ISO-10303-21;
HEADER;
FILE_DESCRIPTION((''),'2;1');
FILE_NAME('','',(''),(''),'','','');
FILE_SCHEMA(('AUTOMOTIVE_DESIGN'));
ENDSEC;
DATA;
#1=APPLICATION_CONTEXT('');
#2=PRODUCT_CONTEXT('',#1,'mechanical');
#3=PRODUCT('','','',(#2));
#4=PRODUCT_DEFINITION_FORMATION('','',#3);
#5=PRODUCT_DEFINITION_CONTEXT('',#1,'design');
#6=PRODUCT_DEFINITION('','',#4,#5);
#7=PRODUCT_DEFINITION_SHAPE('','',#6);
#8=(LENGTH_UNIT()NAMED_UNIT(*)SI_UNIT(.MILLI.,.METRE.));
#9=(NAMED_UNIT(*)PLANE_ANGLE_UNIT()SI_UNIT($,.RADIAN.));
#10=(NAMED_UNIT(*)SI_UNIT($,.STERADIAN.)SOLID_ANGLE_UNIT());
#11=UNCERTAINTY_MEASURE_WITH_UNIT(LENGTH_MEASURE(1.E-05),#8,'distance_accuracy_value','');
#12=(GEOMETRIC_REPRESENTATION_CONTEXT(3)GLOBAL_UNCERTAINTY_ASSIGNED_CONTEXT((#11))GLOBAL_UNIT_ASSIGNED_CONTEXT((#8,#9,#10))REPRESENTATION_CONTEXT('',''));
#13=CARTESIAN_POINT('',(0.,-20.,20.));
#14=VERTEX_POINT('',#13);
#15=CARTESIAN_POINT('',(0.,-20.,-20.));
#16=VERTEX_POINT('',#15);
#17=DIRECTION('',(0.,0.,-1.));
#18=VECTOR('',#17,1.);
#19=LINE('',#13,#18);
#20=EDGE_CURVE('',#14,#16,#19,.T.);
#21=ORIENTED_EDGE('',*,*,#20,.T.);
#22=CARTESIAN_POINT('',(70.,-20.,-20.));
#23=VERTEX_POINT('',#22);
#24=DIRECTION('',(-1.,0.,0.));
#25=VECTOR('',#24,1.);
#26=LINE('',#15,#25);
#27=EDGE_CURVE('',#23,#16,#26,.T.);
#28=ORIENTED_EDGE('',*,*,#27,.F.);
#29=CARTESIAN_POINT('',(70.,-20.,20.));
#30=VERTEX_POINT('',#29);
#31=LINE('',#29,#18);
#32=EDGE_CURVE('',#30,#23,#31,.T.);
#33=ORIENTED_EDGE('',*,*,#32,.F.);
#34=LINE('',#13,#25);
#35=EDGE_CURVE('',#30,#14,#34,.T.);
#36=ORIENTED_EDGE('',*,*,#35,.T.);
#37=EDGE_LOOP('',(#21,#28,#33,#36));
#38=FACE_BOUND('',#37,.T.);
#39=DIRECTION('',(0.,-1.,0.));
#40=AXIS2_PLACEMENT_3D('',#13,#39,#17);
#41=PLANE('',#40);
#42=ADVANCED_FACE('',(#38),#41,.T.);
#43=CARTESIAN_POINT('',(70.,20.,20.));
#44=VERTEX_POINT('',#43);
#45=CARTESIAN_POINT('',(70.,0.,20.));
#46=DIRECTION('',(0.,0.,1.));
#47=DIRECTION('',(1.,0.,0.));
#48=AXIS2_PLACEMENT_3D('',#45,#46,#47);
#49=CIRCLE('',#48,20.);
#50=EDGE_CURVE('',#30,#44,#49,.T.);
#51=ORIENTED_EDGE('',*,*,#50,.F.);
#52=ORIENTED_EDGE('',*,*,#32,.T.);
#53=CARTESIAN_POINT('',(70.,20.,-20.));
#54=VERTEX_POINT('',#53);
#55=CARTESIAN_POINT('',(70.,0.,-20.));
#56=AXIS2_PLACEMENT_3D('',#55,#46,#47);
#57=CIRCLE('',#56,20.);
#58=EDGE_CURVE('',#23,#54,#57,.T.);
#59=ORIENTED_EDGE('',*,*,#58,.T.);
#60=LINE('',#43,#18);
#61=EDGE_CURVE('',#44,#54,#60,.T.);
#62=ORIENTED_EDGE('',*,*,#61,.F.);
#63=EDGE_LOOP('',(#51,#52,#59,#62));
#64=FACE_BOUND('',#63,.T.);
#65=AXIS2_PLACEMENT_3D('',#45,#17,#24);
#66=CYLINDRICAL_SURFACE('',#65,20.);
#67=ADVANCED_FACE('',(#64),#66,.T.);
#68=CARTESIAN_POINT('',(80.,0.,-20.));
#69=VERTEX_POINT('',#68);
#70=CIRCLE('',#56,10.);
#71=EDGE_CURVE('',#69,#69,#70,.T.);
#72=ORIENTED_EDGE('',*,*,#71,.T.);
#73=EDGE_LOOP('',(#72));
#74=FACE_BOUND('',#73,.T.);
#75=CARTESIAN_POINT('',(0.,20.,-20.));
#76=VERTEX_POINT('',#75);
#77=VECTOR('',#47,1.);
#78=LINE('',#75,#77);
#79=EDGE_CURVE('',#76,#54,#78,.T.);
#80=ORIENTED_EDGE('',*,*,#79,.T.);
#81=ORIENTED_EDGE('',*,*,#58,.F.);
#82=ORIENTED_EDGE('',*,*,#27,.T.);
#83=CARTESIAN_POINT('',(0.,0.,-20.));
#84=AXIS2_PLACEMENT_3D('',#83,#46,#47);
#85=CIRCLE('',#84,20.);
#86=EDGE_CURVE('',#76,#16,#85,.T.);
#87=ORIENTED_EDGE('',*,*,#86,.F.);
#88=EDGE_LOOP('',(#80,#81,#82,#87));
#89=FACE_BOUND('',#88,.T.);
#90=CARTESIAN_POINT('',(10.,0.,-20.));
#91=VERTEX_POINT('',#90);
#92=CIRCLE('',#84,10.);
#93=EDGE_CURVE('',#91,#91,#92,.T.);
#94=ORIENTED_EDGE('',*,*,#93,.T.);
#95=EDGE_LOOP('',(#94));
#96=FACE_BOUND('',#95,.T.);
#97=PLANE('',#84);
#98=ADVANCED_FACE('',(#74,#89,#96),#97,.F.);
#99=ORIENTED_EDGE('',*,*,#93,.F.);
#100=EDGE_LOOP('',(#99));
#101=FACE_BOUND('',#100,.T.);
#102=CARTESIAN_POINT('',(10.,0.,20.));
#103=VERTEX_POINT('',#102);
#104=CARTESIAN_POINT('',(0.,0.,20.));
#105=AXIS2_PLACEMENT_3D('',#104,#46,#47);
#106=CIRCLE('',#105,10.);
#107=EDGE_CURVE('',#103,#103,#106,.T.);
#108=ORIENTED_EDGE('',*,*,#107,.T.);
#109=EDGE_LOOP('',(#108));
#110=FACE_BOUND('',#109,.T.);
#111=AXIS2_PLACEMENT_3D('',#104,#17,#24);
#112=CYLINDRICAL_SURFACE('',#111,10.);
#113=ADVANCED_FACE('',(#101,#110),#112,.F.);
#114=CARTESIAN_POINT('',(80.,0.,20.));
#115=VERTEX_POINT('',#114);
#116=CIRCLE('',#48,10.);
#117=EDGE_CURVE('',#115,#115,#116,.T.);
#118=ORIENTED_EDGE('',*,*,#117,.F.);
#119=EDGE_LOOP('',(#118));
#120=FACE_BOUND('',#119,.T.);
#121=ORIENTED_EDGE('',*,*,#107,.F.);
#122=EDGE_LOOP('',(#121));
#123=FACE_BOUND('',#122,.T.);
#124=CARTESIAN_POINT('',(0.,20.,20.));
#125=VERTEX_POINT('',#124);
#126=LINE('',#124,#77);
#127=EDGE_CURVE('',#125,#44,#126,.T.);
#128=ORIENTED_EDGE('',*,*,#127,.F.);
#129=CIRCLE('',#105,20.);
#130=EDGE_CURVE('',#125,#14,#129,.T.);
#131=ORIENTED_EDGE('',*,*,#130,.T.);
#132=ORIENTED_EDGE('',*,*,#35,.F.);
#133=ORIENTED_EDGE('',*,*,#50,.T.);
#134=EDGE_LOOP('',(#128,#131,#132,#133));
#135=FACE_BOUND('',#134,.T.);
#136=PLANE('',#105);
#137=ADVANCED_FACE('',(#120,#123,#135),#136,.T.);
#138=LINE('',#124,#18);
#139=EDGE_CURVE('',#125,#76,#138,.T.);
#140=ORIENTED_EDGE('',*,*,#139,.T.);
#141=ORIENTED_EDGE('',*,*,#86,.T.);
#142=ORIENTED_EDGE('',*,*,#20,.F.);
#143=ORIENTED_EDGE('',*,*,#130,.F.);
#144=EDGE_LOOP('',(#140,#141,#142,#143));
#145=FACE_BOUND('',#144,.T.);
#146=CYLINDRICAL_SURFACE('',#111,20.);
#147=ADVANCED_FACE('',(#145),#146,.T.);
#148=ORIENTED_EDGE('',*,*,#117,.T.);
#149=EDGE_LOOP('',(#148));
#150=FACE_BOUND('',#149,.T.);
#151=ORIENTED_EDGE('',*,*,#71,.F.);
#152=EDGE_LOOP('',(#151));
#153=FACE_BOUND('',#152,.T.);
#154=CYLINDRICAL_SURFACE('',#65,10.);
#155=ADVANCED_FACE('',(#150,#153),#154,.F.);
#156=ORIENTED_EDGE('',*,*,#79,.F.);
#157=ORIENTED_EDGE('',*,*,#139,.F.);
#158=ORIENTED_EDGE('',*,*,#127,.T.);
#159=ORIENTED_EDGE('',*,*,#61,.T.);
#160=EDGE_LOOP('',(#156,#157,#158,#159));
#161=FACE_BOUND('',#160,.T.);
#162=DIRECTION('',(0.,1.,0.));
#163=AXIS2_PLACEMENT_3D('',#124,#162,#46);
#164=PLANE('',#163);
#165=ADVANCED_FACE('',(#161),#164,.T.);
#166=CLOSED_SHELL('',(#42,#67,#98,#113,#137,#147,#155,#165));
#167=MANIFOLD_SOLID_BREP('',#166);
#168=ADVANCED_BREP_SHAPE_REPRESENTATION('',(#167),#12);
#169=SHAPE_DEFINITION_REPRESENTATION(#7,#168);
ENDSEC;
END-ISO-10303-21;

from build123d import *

# Parameters (mm, degrees)
CROQUIS1_R              = 10
SALIENTE_EXTRUIR1_DEPTH = 20


with BuildPart() as part:
    # Croquis1 → Saliente-Extruir1 (new body, symmetric)
    with BuildSketch(Plane.XY):
        with BuildLine():
            Line((0, -20), (70, -20))
            ThreePointArc((70, -20), (90, 0), (70, 20))
            Line((70, 20), (0, 20))
            ThreePointArc((0, 20), (-20, 0), (0, -20))
        make_face()
        with Locations((70, 0)):
            Circle(CROQUIS1_R, mode=Mode.SUBTRACT)
        Circle(CROQUIS1_R, mode=Mode.SUBTRACT)
    extrude(amount=SALIENTE_EXTRUIR1_DEPTH, both=True)


solid = part.part
